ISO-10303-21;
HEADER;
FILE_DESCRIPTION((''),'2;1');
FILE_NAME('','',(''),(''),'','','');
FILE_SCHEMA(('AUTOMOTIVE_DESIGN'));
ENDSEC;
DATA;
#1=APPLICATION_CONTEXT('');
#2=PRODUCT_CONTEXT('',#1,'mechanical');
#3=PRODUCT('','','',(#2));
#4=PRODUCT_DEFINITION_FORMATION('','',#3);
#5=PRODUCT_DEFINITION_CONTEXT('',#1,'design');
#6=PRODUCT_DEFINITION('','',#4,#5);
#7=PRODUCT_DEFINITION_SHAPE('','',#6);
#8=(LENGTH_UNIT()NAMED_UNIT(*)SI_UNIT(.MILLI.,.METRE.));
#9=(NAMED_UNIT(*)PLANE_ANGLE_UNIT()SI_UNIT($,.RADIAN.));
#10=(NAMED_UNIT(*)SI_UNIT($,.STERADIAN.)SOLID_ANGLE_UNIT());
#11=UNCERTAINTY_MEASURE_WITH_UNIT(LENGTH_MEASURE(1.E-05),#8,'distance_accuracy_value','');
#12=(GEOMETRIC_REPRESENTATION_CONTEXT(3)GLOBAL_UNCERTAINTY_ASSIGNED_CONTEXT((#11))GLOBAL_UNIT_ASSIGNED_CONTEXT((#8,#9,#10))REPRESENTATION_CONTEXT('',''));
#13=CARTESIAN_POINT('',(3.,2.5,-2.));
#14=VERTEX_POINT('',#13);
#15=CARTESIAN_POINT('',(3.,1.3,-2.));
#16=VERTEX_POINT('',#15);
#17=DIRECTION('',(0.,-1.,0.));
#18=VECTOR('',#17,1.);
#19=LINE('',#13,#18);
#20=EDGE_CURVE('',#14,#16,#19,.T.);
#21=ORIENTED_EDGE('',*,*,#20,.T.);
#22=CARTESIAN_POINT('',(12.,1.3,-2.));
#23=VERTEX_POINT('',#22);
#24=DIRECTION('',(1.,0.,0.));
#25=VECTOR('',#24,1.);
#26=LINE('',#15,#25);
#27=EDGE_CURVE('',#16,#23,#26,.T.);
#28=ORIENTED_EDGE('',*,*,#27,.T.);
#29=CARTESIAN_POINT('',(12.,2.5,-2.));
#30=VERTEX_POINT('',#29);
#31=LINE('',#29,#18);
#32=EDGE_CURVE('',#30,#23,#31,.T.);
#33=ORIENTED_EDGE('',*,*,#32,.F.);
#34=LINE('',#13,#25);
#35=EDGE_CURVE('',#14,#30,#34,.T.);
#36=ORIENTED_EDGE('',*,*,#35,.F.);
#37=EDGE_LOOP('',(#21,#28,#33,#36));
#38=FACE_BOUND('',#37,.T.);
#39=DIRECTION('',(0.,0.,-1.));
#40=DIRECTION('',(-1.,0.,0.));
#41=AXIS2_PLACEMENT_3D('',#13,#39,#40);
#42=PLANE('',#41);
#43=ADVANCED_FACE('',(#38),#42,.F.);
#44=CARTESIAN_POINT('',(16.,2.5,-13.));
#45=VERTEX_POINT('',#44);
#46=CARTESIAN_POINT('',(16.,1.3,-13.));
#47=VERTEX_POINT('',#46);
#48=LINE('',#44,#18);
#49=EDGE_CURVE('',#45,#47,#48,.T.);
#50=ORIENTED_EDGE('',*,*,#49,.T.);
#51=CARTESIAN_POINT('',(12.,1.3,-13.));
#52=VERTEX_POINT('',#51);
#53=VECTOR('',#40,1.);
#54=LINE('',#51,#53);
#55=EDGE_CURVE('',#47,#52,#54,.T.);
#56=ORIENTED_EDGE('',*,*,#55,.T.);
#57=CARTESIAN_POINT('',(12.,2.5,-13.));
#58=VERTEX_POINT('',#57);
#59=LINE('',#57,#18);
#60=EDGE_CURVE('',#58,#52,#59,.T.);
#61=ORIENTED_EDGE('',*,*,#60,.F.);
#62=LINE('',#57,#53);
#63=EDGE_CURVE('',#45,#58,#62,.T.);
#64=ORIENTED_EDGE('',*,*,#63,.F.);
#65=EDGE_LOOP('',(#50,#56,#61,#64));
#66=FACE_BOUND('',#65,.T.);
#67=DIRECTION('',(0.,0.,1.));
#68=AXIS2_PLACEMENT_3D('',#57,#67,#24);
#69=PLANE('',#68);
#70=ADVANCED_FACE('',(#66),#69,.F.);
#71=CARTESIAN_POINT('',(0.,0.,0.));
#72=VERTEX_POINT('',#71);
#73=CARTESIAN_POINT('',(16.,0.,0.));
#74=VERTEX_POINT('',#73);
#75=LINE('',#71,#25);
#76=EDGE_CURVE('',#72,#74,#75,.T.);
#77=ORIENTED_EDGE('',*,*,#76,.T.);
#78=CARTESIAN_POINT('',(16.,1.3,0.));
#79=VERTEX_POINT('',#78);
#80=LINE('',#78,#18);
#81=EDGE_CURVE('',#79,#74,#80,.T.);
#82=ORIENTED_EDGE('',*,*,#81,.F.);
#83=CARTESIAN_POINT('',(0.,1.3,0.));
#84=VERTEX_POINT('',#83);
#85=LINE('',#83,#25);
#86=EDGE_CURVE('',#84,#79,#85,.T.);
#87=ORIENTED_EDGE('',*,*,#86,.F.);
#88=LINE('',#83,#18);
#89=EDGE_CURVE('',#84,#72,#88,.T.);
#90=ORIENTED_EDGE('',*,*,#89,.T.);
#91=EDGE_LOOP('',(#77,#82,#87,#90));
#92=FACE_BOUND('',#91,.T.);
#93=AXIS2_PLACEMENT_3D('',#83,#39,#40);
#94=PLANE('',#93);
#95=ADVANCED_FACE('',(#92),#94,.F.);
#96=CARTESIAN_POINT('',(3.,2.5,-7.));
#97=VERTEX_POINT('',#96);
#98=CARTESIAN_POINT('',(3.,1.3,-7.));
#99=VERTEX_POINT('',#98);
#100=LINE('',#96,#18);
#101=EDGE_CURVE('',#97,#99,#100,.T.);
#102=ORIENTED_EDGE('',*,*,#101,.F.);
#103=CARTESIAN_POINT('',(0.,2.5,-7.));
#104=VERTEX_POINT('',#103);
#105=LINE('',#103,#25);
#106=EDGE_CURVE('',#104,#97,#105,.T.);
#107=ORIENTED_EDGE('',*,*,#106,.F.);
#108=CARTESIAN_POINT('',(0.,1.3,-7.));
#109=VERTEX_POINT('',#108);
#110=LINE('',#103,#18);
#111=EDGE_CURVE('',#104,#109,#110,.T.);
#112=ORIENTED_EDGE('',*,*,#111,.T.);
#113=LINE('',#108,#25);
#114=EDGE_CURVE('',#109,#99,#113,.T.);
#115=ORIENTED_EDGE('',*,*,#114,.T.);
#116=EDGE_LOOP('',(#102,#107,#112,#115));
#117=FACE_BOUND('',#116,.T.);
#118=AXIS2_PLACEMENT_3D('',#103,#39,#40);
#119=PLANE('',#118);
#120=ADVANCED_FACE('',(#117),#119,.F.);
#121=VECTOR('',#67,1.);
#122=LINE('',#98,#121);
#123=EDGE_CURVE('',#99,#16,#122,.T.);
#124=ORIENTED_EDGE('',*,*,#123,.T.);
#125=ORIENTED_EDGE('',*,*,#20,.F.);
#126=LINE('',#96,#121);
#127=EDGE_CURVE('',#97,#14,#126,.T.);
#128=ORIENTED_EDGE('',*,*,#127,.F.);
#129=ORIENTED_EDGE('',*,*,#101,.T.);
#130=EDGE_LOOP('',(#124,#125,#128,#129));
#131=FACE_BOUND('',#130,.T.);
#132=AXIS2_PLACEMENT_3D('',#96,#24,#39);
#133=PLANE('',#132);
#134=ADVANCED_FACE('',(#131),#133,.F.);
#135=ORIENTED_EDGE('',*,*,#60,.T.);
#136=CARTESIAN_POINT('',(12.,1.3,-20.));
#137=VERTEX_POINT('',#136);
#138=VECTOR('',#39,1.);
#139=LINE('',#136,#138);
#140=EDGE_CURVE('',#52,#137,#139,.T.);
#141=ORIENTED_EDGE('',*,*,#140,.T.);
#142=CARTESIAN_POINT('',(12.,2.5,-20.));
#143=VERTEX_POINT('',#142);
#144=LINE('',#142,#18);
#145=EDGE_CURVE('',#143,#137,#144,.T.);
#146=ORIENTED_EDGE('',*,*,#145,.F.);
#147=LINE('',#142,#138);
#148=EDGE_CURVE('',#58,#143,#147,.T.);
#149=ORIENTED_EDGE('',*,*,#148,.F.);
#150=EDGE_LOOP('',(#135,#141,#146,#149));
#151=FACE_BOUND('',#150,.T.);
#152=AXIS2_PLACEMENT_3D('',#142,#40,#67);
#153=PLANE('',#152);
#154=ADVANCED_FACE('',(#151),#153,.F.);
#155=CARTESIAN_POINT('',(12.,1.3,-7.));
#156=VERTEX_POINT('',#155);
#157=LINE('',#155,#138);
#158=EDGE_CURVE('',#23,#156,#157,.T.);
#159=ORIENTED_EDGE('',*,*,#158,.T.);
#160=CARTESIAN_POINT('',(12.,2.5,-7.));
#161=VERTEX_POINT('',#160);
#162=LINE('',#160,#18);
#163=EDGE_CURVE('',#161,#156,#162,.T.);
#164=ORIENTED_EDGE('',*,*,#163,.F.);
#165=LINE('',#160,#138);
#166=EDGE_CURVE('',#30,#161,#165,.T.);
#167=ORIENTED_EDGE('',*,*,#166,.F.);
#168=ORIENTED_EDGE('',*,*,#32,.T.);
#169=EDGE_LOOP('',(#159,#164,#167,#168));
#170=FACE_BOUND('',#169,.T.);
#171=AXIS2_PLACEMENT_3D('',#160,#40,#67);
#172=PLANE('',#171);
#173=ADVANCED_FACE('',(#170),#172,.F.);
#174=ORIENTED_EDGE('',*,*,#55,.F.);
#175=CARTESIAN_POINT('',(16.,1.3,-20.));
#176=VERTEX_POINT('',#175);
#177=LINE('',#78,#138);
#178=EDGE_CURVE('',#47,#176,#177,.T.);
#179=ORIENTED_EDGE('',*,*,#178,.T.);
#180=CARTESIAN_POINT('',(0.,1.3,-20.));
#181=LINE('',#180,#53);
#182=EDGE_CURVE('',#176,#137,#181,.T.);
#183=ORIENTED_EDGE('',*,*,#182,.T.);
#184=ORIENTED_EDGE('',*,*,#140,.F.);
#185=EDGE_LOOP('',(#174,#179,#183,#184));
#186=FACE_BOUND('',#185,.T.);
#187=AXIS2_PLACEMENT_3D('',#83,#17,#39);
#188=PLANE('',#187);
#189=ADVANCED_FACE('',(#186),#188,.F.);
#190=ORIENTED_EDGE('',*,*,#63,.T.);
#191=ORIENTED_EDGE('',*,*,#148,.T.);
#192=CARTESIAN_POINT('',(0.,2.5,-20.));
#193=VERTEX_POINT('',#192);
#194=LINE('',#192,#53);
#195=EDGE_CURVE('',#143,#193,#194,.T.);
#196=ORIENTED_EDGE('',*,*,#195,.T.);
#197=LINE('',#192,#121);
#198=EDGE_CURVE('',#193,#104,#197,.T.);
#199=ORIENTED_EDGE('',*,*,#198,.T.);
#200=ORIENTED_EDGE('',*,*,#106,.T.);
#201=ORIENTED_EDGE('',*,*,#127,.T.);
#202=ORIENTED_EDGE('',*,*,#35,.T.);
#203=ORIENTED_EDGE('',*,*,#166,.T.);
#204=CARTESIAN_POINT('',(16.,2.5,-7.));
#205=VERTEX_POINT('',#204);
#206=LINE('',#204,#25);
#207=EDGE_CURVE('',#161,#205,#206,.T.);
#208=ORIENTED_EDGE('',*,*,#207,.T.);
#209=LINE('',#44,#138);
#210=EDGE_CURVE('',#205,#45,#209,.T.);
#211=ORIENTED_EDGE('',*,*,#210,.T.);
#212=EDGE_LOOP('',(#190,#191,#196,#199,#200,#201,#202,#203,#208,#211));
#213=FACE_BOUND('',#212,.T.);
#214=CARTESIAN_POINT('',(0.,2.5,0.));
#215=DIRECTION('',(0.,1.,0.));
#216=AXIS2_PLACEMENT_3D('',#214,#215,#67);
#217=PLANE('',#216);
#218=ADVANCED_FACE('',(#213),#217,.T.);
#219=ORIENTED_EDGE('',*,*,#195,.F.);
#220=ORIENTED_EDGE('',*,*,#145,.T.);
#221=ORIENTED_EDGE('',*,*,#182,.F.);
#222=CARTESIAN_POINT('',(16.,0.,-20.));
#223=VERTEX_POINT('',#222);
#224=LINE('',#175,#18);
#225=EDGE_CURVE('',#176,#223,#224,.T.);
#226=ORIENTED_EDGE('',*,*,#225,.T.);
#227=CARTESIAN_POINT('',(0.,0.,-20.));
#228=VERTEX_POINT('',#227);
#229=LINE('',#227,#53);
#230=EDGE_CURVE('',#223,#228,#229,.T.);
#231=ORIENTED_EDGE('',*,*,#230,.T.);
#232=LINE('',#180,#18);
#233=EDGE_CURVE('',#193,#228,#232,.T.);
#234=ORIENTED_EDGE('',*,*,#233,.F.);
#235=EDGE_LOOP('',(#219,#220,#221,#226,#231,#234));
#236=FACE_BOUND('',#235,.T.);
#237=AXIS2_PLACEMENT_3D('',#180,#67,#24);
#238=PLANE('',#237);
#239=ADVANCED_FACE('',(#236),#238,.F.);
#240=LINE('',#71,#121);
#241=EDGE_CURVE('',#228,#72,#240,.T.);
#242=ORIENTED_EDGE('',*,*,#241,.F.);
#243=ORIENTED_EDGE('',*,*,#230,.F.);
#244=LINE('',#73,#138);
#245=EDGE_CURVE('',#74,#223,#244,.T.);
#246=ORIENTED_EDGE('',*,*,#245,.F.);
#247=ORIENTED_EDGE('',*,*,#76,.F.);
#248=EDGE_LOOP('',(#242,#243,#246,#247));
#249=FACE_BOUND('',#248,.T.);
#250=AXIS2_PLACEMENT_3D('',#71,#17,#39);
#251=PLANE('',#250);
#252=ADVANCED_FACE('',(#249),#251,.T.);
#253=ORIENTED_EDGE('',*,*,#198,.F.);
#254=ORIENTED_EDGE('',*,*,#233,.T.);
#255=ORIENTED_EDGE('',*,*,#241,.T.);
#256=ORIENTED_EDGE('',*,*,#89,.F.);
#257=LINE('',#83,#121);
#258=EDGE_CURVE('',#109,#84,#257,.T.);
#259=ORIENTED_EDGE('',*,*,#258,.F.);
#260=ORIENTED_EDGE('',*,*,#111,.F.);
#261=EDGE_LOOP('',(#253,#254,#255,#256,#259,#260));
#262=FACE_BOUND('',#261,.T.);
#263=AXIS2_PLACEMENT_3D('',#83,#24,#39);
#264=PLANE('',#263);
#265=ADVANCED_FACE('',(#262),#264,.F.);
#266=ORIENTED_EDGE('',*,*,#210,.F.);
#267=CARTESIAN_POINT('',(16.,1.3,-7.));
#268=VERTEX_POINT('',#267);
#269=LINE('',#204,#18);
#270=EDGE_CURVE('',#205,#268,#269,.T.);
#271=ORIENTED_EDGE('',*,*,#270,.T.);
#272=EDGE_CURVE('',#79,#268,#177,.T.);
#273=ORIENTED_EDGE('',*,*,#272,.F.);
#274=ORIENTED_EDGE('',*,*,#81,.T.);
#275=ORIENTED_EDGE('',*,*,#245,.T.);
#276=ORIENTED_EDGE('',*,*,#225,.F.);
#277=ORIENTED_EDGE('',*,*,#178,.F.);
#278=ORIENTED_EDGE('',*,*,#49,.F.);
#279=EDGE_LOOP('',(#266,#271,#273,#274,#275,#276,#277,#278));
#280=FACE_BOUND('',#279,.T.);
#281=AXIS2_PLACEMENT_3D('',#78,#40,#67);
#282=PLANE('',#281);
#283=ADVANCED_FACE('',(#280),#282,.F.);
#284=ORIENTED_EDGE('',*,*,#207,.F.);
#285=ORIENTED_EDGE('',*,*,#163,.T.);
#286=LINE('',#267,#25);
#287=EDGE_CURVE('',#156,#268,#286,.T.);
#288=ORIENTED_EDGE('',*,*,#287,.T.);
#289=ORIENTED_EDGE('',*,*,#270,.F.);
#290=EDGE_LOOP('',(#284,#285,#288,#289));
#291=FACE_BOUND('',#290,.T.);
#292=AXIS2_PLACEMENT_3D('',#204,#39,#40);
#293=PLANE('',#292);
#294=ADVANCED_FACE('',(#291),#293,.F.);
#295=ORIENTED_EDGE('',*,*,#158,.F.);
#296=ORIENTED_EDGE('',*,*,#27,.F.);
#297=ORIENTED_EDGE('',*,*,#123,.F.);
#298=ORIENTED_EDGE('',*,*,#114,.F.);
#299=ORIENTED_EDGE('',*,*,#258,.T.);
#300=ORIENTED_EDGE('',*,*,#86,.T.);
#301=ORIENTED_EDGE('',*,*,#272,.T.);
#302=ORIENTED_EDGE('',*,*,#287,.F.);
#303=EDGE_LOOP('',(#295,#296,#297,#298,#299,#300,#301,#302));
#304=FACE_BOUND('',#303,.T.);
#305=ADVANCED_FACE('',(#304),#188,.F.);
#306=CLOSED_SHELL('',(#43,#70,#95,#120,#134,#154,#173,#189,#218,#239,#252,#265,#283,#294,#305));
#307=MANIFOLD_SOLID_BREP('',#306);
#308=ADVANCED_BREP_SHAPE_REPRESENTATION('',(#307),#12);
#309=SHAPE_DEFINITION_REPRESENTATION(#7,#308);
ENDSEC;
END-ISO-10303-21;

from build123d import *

# Parameters (mm, degrees)
SKETCH1_W           = 16
SKETCH1_H           = 20
BOSS_EXTRUDE1_DEPTH = 1.3
BOSS_EXTRUDE2_DEPTH = 1.2


with BuildPart() as part:
    # Sketch1 → Boss-Extrude1 (new body)
    with BuildSketch(Plane(origin=(0, 0, 0), x_dir=(1, 0, 0), z_dir=(0, 1, 0))):
        with Locations((8, 10)):
            Rectangle(SKETCH1_W, SKETCH1_H)
    extrude(amount=BOSS_EXTRUDE1_DEPTH)

    # Sketch2 → Boss-Extrude2 (add)
    with BuildSketch(Plane(origin=(0, 1.3, 0), x_dir=(1, 0, 0), z_dir=(0, 1, 0))):
        Polygon((3, 7), (3, 2), (12, 2), (12, 7), (16, 7), (16, 13), (12, 13), (12, 20), (0, 20), (0, 7), align=None)
    extrude(amount=BOSS_EXTRUDE2_DEPTH)


solid = part.part
